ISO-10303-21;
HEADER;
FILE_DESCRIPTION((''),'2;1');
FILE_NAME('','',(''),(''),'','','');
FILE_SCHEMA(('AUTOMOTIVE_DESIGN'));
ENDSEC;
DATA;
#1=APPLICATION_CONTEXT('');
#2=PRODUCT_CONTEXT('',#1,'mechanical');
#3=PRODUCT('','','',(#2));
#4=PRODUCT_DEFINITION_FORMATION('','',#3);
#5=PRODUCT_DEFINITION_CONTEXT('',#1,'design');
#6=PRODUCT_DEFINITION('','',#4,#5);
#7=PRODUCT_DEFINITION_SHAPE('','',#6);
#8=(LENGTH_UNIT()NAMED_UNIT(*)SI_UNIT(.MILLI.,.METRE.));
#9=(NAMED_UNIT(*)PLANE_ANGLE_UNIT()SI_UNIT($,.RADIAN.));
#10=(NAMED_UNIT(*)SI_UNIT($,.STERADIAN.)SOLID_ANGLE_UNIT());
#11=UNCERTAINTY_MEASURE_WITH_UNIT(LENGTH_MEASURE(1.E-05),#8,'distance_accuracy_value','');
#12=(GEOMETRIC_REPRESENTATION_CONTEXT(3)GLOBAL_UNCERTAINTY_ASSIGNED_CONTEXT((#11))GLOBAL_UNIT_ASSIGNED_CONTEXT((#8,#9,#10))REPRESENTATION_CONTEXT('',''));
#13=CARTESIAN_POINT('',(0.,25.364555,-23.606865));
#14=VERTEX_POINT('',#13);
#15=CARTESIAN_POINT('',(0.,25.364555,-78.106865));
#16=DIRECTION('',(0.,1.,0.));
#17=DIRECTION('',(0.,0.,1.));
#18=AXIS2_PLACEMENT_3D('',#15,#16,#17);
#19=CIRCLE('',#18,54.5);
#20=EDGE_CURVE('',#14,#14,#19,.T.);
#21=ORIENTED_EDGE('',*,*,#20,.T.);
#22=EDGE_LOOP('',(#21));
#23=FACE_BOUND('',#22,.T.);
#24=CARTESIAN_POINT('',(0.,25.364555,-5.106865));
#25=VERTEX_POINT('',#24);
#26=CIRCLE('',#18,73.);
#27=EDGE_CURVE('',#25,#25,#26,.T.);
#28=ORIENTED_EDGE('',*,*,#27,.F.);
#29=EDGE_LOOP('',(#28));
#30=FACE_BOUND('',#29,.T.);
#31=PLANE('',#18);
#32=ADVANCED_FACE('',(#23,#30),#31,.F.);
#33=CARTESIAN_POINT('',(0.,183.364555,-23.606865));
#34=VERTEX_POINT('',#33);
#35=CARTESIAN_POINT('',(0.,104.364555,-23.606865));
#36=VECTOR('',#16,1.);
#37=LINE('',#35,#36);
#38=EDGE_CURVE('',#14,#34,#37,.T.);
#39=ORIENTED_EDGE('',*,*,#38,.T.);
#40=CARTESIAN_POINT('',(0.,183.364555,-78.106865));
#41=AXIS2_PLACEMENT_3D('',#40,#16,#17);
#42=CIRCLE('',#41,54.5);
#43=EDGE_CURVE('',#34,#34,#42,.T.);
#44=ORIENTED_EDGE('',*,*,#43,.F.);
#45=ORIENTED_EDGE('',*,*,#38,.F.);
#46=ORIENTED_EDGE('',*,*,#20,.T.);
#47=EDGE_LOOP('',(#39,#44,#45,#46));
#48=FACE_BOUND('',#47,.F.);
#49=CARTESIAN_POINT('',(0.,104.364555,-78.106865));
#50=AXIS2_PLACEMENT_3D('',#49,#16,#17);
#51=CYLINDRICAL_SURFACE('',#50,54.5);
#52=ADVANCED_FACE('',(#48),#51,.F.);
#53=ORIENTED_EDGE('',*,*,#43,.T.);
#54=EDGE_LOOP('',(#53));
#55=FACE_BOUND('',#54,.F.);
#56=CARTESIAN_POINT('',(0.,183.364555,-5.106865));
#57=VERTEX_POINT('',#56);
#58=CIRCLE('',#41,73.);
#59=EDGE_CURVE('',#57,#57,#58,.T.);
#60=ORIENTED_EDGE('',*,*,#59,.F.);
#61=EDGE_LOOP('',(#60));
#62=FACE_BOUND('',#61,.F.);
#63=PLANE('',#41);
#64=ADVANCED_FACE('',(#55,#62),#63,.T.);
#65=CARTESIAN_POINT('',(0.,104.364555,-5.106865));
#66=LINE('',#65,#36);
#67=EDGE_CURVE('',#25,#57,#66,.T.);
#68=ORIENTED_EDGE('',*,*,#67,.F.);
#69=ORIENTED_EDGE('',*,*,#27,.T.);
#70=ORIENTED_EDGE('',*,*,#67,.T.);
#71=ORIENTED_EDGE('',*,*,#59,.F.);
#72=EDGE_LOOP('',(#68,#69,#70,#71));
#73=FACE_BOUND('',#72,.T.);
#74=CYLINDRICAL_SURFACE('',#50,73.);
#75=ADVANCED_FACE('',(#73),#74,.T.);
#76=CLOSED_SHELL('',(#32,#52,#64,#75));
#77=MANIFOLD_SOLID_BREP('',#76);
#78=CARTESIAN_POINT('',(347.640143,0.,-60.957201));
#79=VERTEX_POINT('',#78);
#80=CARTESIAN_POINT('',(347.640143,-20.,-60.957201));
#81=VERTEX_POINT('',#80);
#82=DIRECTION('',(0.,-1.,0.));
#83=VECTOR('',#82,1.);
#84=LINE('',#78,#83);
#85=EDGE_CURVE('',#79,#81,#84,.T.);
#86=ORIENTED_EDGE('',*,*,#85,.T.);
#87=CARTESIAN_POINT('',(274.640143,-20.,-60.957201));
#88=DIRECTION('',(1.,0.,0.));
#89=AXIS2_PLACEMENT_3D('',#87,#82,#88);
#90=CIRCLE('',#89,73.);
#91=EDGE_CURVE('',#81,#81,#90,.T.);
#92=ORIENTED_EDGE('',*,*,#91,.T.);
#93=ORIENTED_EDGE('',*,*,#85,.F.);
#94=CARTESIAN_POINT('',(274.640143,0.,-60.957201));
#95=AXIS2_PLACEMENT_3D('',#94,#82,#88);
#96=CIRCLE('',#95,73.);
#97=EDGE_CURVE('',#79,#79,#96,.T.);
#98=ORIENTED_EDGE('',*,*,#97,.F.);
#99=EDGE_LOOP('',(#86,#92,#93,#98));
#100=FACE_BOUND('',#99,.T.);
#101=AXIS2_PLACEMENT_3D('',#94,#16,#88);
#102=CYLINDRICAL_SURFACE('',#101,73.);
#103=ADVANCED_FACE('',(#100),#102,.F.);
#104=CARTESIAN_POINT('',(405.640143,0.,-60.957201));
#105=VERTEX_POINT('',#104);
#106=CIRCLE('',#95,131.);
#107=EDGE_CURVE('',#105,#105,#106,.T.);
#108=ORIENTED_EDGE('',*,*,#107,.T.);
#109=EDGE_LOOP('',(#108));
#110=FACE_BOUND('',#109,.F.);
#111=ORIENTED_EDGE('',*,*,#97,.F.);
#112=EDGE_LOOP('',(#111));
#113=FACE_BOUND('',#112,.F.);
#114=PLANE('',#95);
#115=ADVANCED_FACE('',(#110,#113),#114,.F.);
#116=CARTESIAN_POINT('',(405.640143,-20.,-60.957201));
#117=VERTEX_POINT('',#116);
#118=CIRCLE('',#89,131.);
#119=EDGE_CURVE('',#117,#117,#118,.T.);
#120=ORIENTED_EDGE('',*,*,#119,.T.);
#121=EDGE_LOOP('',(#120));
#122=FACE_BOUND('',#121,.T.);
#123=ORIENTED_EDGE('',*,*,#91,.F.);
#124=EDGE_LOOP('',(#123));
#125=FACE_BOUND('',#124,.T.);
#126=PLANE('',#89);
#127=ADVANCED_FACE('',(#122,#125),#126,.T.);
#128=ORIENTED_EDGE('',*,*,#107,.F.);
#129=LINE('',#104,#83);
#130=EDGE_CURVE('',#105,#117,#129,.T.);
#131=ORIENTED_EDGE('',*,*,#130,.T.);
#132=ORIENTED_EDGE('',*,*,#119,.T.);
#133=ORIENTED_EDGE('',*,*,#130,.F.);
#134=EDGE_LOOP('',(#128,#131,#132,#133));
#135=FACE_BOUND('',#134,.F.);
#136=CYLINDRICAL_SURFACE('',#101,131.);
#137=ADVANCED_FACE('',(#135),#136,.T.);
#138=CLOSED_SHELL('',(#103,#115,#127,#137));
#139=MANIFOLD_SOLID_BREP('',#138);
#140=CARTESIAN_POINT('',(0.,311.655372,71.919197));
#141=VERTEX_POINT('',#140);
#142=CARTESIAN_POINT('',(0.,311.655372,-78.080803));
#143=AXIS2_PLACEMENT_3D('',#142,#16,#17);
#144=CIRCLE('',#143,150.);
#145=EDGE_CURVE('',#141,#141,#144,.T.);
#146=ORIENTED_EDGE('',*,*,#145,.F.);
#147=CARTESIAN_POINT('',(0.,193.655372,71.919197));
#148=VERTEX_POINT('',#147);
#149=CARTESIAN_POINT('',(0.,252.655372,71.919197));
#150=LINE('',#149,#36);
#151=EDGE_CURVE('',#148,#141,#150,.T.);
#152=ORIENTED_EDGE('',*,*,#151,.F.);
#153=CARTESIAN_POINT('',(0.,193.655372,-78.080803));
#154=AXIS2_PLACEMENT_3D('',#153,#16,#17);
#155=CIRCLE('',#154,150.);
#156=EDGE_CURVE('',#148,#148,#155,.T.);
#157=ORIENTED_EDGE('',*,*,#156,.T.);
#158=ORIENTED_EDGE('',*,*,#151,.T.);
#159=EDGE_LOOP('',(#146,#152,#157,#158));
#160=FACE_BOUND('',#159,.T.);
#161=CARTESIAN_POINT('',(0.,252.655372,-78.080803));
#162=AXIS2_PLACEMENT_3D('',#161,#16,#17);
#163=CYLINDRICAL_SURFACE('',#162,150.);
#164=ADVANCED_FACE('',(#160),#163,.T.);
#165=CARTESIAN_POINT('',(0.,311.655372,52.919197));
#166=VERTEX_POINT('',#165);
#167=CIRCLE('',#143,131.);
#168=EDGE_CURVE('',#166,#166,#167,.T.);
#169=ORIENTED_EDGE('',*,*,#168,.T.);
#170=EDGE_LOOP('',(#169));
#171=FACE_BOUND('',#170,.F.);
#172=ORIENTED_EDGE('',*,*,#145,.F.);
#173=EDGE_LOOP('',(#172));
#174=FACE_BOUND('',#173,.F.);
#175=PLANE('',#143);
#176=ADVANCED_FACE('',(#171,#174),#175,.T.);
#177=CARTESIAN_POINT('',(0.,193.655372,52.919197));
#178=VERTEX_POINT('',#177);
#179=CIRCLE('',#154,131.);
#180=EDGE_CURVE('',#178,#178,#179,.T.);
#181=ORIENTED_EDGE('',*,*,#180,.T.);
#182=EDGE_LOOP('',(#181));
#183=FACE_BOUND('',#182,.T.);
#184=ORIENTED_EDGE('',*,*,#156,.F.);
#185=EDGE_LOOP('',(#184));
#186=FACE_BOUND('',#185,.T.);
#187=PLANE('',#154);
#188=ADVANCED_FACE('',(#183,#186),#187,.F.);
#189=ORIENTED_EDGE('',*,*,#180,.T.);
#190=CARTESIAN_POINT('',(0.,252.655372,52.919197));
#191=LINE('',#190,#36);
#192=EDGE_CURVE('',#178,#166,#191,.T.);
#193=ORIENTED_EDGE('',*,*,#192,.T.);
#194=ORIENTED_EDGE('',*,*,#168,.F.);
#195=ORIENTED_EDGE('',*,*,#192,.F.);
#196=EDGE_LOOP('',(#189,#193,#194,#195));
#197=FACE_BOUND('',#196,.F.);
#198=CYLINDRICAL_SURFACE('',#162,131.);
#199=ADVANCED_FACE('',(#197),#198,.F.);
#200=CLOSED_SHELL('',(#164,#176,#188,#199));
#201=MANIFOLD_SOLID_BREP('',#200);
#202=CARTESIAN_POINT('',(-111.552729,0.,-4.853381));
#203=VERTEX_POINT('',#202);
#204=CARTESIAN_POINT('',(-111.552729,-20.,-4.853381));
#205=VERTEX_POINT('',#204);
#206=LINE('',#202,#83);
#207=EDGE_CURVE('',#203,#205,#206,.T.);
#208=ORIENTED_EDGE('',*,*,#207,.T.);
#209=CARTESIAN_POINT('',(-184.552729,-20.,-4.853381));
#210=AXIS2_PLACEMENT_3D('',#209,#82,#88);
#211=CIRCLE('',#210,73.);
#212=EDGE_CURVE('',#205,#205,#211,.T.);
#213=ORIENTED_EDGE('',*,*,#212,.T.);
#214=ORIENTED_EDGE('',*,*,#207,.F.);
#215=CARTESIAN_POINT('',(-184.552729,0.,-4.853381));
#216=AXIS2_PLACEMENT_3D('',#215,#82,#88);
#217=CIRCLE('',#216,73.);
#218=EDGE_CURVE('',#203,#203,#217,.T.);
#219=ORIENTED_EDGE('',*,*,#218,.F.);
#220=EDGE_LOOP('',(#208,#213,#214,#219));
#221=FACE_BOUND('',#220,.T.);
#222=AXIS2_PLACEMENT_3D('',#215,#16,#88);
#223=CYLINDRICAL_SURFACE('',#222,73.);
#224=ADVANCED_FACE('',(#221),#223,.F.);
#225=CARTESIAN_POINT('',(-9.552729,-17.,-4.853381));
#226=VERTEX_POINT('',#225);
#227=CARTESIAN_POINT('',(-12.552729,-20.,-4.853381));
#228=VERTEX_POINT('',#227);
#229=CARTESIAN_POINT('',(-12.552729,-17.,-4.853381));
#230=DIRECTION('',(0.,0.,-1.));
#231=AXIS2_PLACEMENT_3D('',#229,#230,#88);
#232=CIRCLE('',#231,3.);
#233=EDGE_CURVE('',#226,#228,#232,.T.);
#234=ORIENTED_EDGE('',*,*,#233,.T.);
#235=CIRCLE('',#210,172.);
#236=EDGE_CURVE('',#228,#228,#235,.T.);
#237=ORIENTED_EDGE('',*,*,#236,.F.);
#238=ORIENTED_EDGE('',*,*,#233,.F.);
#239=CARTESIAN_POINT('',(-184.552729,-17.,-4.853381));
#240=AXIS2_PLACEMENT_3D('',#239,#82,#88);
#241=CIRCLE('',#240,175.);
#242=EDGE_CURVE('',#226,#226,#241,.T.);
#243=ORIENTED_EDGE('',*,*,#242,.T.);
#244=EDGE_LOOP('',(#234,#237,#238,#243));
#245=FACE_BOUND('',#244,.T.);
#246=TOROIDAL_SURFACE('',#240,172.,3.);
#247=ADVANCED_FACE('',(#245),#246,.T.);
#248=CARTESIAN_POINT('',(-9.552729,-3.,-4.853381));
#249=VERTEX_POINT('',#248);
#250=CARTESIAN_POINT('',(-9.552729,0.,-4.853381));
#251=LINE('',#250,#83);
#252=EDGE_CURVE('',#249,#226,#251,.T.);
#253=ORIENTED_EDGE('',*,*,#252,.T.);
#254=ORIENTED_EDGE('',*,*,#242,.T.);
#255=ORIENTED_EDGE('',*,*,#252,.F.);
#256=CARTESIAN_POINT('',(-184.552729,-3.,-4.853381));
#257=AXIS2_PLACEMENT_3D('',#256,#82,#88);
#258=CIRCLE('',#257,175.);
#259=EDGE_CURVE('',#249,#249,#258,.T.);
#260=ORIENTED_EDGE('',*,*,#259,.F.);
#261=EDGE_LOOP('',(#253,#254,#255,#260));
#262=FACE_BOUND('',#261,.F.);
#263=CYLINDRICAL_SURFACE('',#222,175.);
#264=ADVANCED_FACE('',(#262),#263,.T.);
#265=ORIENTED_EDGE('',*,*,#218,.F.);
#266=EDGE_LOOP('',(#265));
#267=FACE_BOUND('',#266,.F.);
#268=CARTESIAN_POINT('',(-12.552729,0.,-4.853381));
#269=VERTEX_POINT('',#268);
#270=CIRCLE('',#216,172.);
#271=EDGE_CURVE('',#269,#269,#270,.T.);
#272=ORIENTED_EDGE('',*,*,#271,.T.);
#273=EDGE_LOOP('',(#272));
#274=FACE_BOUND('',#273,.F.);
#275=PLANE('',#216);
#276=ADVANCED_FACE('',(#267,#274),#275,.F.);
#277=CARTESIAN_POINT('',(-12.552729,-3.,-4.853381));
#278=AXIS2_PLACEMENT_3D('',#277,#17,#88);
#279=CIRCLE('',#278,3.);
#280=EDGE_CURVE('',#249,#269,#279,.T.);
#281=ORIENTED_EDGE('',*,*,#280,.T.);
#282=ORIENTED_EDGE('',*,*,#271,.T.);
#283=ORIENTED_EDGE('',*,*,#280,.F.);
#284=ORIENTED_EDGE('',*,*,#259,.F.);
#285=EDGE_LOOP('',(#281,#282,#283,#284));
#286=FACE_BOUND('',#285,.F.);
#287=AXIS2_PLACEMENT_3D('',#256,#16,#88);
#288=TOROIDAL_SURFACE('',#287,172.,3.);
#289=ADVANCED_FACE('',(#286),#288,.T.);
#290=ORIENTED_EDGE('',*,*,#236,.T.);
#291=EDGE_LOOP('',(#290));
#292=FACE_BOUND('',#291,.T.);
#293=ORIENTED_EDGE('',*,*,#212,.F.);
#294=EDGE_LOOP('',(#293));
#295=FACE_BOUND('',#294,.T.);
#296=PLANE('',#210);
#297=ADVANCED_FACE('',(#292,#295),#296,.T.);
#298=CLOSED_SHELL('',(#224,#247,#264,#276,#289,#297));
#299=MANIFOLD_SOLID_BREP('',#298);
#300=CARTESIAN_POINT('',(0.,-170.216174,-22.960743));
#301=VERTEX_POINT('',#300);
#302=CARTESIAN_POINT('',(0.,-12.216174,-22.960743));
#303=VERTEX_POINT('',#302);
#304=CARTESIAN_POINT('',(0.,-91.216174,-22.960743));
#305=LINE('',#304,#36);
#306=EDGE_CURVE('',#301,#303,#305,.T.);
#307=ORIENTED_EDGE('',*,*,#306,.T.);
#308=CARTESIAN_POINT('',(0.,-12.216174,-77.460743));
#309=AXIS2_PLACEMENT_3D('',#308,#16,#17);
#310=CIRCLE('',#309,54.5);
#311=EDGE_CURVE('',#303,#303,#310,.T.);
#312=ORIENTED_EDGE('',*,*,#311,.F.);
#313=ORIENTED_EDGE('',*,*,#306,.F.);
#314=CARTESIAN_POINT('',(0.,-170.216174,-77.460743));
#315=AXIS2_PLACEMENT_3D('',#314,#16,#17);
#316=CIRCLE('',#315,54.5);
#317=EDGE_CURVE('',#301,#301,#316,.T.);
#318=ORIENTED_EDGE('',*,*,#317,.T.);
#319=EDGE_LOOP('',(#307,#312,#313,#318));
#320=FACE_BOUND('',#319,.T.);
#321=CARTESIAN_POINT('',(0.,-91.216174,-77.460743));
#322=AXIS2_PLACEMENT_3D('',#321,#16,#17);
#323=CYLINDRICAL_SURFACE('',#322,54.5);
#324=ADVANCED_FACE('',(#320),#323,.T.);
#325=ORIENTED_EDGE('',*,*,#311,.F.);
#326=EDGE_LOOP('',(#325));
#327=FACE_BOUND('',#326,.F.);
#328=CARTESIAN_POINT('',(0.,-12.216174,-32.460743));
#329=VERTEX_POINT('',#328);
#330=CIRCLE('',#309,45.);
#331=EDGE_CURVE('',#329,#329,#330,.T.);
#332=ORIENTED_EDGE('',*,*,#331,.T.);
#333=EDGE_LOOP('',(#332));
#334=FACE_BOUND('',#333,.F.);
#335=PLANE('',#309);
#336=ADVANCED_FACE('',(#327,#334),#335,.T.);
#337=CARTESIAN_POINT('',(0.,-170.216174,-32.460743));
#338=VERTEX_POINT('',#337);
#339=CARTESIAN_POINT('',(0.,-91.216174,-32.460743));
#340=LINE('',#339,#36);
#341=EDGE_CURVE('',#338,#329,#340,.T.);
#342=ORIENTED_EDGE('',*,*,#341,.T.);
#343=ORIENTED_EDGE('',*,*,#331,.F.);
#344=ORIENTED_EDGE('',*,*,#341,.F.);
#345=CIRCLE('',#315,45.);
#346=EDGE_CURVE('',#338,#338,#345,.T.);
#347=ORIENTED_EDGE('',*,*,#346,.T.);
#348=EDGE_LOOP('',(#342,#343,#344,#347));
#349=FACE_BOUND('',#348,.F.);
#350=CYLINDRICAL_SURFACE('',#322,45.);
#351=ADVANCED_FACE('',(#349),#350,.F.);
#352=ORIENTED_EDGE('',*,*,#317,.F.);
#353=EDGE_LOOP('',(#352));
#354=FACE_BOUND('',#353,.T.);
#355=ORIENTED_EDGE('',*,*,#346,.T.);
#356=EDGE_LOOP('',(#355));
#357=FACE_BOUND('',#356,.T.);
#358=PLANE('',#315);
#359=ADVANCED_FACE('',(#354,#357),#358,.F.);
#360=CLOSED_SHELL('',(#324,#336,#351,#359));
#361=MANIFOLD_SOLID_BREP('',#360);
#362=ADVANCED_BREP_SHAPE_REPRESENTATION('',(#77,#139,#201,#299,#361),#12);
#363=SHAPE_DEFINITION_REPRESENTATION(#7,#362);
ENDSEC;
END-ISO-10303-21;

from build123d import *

# Parameters (mm, degrees)
F3_R     = 175
F3_R_2   = 73
F5_DEPTH = 20
F4_R     = 131
F4_R_2   = 73
F6_DEPTH = 20
F0_W     = 158
F0_H     = 9.5
F1_W     = 158
F1_H     = 18.5
F2_W     = 118
F2_H     = 19
F10_R    = 3


with BuildPart() as f5:
    # F3 (on Front) → F5 (new body)
    with BuildSketch(Plane.XZ):
        with Locations((-184.552729, -4.853381)):
            Circle(F3_R)
        with Locations((-184.552729, -4.853381)):
            Circle(F3_R_2, mode=Mode.SUBTRACT)
    extrude(amount=F5_DEPTH)

    # F10
    f10_edges = [f5.edges().sort_by_distance(p)[0] for p in [
        (-359.552729, -20, -4.853381),
        (-359.552729, 0, -4.853381),
    ]]
    fillet(f10_edges, radius=F10_R)


with BuildPart() as f6:
    # F4 (on Front) → F6 (new body)
    with BuildSketch(Plane.XZ):
        with Locations((274.640143, -60.957201)):
            Circle(F4_R)
        with Locations((274.640143, -60.957201)):
            Circle(F4_R_2, mode=Mode.SUBTRACT)
    extrude(amount=F6_DEPTH)


with BuildPart() as f7:
    # F0 (on Right) → F7 (revolve)
    with BuildSketch(Plane.YZ):
        with Locations((-91.216174, -27.710743)):
            Rectangle(F0_W, F0_H)
    revolve(axis=Axis((0, -91.216174, -77.460743), (0, 1, 0)))


with BuildPart() as f8:
    # F1 (on Right) → F8 (revolve)
    with BuildSketch(Plane.YZ):
        with Locations((104.364555, -14.356865)):
            Rectangle(F1_W, F1_H)
    revolve(axis=Axis((0, 104.364555, -78.106865), (0, 1, 0)))


with BuildPart() as f9:
    # F2 (on Right) → F9 (revolve)
    with BuildSketch(Plane.YZ):
        with Locations((252.655372, 62.419197)):
            Rectangle(F2_W, F2_H)
    revolve(axis=Axis((0, 252.655372, -78.080803), (0, 1, 0)))


solid = Compound([f5.part, f6.part, f7.part, f8.part, f9.part])
